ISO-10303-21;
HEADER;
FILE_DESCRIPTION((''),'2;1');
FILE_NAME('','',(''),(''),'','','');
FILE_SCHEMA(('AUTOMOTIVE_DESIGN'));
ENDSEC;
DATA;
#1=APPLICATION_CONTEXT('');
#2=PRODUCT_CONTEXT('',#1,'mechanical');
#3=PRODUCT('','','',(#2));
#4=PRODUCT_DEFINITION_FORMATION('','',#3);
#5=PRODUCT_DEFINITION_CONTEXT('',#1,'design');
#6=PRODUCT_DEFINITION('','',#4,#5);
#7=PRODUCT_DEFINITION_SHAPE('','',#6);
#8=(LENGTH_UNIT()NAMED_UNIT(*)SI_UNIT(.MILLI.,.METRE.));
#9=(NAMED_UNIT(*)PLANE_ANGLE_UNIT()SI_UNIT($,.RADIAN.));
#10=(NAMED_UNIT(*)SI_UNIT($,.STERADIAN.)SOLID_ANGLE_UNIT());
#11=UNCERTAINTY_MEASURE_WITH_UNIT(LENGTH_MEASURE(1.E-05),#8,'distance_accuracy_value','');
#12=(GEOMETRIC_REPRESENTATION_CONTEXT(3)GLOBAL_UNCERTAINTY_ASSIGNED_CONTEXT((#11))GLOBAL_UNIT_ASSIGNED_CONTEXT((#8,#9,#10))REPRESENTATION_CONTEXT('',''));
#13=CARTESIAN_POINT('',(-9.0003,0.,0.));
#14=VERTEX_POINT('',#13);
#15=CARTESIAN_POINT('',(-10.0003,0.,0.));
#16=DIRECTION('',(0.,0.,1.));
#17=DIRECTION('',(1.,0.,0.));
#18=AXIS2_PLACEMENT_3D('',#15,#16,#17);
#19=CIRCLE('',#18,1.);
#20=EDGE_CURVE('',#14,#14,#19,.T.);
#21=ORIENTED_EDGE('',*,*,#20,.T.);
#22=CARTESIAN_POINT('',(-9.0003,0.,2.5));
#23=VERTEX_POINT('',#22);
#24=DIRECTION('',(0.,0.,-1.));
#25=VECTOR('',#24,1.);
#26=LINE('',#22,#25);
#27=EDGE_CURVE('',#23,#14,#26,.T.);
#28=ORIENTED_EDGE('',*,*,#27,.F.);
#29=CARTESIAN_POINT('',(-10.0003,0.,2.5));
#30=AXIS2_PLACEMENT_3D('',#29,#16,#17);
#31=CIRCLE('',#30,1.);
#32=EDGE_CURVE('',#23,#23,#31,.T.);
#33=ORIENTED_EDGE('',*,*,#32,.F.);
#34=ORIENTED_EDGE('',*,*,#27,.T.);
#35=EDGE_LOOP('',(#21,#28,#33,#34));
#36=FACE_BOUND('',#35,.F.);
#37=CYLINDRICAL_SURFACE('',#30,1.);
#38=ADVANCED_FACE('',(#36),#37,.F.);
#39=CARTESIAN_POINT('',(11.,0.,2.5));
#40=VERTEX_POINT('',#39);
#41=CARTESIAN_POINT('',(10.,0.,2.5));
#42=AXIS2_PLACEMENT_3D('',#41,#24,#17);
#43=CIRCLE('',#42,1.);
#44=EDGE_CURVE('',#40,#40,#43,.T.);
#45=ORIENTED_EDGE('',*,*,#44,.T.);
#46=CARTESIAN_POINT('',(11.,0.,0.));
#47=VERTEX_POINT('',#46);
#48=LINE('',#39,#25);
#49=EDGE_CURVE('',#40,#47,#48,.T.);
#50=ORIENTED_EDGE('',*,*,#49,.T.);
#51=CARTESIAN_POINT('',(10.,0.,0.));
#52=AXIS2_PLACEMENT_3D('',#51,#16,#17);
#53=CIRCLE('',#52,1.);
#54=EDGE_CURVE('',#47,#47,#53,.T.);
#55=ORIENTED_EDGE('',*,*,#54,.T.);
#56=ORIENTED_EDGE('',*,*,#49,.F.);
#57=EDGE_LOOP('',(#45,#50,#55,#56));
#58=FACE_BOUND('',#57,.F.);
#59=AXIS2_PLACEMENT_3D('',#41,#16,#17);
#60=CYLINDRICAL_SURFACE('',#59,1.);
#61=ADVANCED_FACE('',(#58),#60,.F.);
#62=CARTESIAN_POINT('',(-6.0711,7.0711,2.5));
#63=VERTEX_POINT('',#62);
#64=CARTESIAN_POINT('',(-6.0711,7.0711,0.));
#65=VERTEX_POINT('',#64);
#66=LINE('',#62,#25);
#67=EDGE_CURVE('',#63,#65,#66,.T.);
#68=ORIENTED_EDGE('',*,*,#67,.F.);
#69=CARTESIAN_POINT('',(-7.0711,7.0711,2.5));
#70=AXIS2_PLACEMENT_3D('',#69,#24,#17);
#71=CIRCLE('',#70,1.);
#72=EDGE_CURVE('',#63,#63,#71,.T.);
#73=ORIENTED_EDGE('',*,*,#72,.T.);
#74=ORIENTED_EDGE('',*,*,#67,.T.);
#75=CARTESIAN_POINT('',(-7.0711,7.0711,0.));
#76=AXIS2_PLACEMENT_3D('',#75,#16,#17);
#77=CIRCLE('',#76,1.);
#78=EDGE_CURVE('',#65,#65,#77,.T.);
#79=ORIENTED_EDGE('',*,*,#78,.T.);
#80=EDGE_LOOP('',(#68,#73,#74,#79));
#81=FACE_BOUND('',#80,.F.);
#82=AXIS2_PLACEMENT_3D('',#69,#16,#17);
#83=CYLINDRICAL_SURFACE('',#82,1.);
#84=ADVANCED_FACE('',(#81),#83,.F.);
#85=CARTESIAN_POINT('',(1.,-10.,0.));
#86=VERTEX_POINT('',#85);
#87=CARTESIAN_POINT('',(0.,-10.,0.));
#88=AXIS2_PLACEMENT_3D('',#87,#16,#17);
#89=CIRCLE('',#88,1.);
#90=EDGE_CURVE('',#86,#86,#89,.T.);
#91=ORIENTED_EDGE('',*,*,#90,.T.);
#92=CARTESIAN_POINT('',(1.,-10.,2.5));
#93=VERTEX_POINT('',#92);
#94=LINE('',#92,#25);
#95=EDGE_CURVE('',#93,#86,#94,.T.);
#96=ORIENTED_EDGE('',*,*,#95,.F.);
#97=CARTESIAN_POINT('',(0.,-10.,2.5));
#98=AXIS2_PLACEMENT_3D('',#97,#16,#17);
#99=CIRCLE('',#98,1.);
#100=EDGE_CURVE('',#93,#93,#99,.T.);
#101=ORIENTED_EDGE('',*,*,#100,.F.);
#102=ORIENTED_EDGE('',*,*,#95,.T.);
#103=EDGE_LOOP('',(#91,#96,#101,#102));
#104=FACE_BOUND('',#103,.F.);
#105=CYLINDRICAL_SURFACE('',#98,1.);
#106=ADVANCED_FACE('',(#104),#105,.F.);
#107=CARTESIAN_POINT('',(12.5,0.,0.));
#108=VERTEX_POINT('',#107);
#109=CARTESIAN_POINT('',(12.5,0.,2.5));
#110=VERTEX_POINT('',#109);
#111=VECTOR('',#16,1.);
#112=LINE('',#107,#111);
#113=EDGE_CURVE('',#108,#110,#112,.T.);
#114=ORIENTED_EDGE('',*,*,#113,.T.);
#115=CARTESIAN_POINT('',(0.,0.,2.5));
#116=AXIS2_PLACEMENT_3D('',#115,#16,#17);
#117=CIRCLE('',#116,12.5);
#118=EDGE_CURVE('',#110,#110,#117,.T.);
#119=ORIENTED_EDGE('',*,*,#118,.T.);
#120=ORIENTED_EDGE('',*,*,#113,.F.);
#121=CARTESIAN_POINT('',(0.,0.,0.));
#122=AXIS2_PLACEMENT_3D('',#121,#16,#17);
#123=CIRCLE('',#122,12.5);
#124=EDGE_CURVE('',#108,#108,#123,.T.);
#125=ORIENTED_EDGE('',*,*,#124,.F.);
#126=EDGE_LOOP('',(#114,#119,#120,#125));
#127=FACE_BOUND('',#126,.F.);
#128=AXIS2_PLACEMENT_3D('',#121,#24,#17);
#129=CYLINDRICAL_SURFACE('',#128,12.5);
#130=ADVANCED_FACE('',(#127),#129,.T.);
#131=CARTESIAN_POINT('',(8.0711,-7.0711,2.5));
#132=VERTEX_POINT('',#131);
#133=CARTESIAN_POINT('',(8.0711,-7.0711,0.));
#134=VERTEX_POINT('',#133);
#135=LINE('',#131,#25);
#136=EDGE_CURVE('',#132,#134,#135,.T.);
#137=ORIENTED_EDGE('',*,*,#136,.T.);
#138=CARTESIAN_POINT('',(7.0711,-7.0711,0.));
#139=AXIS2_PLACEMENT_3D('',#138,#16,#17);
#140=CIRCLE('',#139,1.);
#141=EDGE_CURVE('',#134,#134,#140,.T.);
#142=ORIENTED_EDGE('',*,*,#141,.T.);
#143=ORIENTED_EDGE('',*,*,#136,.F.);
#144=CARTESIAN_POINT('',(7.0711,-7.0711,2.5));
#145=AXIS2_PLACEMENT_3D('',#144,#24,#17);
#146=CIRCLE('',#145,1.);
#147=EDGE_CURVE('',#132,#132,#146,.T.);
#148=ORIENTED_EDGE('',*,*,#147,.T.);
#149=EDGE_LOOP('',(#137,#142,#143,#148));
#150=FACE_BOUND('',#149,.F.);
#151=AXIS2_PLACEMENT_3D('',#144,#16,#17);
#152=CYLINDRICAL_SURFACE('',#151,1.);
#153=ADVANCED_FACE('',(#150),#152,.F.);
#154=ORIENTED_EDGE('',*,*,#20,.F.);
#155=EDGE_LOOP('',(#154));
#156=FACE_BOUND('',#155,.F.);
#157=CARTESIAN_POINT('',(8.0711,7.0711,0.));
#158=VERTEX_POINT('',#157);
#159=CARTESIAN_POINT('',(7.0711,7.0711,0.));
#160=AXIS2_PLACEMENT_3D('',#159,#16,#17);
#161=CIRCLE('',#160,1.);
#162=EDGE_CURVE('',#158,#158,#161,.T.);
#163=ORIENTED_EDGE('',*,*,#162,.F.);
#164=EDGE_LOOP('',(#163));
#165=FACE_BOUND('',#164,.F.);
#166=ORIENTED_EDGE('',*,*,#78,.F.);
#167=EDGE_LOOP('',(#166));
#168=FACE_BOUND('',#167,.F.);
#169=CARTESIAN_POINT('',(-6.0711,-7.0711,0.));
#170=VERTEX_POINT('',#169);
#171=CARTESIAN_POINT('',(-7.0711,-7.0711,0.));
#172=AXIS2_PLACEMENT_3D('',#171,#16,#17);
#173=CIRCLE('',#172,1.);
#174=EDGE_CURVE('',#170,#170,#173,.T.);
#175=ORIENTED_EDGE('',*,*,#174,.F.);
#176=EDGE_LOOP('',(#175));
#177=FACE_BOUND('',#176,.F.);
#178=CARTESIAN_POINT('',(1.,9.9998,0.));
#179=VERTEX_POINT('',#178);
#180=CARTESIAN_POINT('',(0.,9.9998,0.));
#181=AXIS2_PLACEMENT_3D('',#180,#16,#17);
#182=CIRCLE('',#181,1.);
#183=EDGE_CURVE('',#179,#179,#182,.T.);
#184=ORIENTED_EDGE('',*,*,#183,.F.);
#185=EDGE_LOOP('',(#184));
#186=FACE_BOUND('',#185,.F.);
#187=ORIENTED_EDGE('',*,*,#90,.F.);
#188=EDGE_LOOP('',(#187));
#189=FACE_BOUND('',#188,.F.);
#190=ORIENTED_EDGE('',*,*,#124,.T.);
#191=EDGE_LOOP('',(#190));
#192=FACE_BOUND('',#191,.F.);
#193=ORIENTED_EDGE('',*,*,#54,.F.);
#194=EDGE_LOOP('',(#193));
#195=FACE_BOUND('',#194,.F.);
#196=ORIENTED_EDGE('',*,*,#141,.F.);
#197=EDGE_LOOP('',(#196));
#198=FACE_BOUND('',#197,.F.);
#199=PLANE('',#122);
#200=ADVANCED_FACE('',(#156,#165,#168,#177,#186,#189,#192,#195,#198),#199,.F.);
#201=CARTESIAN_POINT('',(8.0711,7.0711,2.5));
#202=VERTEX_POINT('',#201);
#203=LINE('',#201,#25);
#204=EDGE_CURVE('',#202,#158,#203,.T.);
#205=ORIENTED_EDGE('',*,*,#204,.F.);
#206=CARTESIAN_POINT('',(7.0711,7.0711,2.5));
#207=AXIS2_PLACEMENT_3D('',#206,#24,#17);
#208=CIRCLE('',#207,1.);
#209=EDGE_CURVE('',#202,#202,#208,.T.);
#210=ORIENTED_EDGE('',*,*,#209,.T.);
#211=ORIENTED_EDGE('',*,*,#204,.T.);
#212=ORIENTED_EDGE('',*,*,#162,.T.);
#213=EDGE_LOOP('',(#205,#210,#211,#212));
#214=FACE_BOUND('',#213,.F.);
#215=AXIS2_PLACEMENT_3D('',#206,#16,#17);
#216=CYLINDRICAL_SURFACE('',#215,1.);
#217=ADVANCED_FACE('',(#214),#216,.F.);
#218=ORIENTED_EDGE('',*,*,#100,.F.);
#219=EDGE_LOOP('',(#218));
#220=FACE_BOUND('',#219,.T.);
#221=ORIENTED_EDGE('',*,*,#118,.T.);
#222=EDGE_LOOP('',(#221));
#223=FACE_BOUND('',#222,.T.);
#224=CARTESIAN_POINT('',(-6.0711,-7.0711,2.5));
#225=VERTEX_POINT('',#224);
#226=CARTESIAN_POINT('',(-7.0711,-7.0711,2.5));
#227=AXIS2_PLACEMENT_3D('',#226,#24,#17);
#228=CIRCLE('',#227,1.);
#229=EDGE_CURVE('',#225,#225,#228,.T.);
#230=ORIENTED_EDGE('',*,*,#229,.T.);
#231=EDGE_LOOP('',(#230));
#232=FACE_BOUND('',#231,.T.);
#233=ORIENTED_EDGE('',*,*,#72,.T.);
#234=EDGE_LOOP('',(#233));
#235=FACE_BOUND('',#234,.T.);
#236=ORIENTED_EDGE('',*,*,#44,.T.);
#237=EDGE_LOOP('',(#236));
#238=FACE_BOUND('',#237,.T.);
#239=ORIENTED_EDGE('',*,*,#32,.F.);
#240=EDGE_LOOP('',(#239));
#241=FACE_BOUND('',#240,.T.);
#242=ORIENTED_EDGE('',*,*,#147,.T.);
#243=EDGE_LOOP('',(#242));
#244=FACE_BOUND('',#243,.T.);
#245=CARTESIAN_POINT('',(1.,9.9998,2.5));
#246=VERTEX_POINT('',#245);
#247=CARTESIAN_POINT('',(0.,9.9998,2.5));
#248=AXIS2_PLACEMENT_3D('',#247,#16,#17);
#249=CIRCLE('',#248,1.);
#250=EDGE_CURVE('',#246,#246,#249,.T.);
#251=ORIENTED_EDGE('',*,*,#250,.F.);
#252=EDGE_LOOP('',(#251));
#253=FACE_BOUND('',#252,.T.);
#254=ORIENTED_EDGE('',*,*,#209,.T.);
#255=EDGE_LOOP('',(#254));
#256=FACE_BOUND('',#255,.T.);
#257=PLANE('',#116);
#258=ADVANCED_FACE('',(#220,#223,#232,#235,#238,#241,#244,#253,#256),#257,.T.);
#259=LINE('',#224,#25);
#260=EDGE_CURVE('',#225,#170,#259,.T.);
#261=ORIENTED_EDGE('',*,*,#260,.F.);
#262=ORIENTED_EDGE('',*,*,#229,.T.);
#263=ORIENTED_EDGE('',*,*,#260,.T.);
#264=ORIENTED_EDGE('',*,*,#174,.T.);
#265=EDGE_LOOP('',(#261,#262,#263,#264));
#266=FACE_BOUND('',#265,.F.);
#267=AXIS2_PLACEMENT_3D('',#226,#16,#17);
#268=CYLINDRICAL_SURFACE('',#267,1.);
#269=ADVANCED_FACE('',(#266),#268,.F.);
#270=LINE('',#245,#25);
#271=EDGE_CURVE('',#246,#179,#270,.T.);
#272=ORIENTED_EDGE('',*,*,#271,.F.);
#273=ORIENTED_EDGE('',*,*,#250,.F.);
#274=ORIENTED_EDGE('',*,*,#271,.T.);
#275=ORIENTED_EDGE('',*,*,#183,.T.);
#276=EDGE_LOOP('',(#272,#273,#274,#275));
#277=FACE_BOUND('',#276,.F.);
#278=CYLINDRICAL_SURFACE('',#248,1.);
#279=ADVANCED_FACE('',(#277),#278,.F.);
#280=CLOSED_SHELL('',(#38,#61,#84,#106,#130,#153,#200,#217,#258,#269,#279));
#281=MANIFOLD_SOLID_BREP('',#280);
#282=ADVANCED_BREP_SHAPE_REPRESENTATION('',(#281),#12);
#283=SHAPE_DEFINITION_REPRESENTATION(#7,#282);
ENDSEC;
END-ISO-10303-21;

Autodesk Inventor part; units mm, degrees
ref_plane "YZ Plane" through (0, 0, 0) normal (1, 0, 0) x (0, 1, 0)
ref_plane "XZ Plane" through (0, 0, 0) normal (0, 1, 0) x (-1, 0, 0)
ref_plane "XY Plane" through (0, 0, 0) normal (0, 0, 1) x (1, 0, 0)
sketch "スケッチ1" plane through (0, 0, 0) normal (0, 0, 1) x (1, 0, 0)
  circle A0 centre (0, 0) radius 12.5
  dimension "d0" = 25
extrude "押し出し1" add sketch "スケッチ1" along normal blind 2.5
sketch "スケッチ2" plane through (0, 0, 2.5) normal (0, 0, 1) x (1, 0, 0)
  line L0 (0, 0) -> (0, 10)
  dimension "d3" = 10
sketch "スケッチ3" plane through (0, 0, 2.5) normal (0, 0, 1) x (1, 0, 0)
  circle A0 centre (0, 9.9998) radius 1
  line L0 (0, 0) -> (0, -10)
  dimension "d4" = 2
  dimension "d5" = 10
sketch "スケッチ4" plane through (0, 0, 2.5) normal (0, 0, 1) x (1, 0, 0)
  circle A0 centre (0, -10) radius 1
  point P0 (0, 0)
  dimension "d6" = 2
sketch "スケッチ5" plane through (0, 0, 2.5) normal (0, 0, 1) x (1, 0, 0)
  line L0 (0, 0) -> (-10, 0)
  dimension "d7" = 10
sketch "スケッチ6" plane through (0, 0, 2.5) normal (0, 0, 1) x (1, 0, 0)
  circle A0 centre (-10.0003, 0) radius 1
  line L0 (0, 0) -> (10, 0)
  circle A1 centre (10, 0) radius 1
  dimension "d8" = 2
  dimension "d9" = 10
  dimension "d10" = 2
extrude "押し出し2" cut sketch "スケッチ3" against normal blind 2.5
extrude "押し出し3" cut sketch "スケッチ6" against normal blind 2.5
extrude "押し出し4" cut sketch "スケッチ4" against normal blind 2.5
sketch "スケッチ7" plane through (0, 0, 2.5) normal (0, 0, 1) x (1, 0, 0)
  line L0 (0, 0) -> (7.0711, 7.0711)
  line L1 (0, 0) -> (10, 0) construction
  line L2 (0, 0) -> (-7.0711, 7.0711)
  line L3 (0, 0) -> (10, 0) construction
  circle A0 centre (-7.0711, 7.0711) radius 1
  circle A1 centre (7.0711, 7.0711) radius 1
  dimension "d17" = 10
  dimension "d18" = 45
  dimension "d19" = 10
  dimension "d20" = 135
  dimension "d21" = 2
  dimension "d22" = 2
sketch "スケッチ8" plane through (0, 0, 2.5) normal (0, 0, 1) x (1, 0, 0)
  line L0 (0, 0) -> (-7.0711, -7.0711)
  line L1 (0, 0) -> (10, 0) construction
  circle A0 centre (-7.0711, -7.0711) radius 1
  line L2 (0, 0) -> (7.0711, -7.0711)
  line L3 (0, 0) -> (10, 0) construction
  circle A1 centre (7.0711, -7.0711) radius 1
  dimension "d23" = 10
  dimension "d24" = 135
  dimension "d25" = 2
  dimension "d26" = 10
  dimension "d27" = 45
  dimension "d28" = 2
extrude "押し出し5" cut sketch "スケッチ7" against normal blind 2.5
extrude "押し出し6" cut sketch "スケッチ8" against normal blind 2.5
sketch "スケッチ9" plane through (0, 0, 2.5) normal (0, 0, 1) x (1, 0, 0)
  point P0 (0, 0)
properties part number "Slit_disk"
